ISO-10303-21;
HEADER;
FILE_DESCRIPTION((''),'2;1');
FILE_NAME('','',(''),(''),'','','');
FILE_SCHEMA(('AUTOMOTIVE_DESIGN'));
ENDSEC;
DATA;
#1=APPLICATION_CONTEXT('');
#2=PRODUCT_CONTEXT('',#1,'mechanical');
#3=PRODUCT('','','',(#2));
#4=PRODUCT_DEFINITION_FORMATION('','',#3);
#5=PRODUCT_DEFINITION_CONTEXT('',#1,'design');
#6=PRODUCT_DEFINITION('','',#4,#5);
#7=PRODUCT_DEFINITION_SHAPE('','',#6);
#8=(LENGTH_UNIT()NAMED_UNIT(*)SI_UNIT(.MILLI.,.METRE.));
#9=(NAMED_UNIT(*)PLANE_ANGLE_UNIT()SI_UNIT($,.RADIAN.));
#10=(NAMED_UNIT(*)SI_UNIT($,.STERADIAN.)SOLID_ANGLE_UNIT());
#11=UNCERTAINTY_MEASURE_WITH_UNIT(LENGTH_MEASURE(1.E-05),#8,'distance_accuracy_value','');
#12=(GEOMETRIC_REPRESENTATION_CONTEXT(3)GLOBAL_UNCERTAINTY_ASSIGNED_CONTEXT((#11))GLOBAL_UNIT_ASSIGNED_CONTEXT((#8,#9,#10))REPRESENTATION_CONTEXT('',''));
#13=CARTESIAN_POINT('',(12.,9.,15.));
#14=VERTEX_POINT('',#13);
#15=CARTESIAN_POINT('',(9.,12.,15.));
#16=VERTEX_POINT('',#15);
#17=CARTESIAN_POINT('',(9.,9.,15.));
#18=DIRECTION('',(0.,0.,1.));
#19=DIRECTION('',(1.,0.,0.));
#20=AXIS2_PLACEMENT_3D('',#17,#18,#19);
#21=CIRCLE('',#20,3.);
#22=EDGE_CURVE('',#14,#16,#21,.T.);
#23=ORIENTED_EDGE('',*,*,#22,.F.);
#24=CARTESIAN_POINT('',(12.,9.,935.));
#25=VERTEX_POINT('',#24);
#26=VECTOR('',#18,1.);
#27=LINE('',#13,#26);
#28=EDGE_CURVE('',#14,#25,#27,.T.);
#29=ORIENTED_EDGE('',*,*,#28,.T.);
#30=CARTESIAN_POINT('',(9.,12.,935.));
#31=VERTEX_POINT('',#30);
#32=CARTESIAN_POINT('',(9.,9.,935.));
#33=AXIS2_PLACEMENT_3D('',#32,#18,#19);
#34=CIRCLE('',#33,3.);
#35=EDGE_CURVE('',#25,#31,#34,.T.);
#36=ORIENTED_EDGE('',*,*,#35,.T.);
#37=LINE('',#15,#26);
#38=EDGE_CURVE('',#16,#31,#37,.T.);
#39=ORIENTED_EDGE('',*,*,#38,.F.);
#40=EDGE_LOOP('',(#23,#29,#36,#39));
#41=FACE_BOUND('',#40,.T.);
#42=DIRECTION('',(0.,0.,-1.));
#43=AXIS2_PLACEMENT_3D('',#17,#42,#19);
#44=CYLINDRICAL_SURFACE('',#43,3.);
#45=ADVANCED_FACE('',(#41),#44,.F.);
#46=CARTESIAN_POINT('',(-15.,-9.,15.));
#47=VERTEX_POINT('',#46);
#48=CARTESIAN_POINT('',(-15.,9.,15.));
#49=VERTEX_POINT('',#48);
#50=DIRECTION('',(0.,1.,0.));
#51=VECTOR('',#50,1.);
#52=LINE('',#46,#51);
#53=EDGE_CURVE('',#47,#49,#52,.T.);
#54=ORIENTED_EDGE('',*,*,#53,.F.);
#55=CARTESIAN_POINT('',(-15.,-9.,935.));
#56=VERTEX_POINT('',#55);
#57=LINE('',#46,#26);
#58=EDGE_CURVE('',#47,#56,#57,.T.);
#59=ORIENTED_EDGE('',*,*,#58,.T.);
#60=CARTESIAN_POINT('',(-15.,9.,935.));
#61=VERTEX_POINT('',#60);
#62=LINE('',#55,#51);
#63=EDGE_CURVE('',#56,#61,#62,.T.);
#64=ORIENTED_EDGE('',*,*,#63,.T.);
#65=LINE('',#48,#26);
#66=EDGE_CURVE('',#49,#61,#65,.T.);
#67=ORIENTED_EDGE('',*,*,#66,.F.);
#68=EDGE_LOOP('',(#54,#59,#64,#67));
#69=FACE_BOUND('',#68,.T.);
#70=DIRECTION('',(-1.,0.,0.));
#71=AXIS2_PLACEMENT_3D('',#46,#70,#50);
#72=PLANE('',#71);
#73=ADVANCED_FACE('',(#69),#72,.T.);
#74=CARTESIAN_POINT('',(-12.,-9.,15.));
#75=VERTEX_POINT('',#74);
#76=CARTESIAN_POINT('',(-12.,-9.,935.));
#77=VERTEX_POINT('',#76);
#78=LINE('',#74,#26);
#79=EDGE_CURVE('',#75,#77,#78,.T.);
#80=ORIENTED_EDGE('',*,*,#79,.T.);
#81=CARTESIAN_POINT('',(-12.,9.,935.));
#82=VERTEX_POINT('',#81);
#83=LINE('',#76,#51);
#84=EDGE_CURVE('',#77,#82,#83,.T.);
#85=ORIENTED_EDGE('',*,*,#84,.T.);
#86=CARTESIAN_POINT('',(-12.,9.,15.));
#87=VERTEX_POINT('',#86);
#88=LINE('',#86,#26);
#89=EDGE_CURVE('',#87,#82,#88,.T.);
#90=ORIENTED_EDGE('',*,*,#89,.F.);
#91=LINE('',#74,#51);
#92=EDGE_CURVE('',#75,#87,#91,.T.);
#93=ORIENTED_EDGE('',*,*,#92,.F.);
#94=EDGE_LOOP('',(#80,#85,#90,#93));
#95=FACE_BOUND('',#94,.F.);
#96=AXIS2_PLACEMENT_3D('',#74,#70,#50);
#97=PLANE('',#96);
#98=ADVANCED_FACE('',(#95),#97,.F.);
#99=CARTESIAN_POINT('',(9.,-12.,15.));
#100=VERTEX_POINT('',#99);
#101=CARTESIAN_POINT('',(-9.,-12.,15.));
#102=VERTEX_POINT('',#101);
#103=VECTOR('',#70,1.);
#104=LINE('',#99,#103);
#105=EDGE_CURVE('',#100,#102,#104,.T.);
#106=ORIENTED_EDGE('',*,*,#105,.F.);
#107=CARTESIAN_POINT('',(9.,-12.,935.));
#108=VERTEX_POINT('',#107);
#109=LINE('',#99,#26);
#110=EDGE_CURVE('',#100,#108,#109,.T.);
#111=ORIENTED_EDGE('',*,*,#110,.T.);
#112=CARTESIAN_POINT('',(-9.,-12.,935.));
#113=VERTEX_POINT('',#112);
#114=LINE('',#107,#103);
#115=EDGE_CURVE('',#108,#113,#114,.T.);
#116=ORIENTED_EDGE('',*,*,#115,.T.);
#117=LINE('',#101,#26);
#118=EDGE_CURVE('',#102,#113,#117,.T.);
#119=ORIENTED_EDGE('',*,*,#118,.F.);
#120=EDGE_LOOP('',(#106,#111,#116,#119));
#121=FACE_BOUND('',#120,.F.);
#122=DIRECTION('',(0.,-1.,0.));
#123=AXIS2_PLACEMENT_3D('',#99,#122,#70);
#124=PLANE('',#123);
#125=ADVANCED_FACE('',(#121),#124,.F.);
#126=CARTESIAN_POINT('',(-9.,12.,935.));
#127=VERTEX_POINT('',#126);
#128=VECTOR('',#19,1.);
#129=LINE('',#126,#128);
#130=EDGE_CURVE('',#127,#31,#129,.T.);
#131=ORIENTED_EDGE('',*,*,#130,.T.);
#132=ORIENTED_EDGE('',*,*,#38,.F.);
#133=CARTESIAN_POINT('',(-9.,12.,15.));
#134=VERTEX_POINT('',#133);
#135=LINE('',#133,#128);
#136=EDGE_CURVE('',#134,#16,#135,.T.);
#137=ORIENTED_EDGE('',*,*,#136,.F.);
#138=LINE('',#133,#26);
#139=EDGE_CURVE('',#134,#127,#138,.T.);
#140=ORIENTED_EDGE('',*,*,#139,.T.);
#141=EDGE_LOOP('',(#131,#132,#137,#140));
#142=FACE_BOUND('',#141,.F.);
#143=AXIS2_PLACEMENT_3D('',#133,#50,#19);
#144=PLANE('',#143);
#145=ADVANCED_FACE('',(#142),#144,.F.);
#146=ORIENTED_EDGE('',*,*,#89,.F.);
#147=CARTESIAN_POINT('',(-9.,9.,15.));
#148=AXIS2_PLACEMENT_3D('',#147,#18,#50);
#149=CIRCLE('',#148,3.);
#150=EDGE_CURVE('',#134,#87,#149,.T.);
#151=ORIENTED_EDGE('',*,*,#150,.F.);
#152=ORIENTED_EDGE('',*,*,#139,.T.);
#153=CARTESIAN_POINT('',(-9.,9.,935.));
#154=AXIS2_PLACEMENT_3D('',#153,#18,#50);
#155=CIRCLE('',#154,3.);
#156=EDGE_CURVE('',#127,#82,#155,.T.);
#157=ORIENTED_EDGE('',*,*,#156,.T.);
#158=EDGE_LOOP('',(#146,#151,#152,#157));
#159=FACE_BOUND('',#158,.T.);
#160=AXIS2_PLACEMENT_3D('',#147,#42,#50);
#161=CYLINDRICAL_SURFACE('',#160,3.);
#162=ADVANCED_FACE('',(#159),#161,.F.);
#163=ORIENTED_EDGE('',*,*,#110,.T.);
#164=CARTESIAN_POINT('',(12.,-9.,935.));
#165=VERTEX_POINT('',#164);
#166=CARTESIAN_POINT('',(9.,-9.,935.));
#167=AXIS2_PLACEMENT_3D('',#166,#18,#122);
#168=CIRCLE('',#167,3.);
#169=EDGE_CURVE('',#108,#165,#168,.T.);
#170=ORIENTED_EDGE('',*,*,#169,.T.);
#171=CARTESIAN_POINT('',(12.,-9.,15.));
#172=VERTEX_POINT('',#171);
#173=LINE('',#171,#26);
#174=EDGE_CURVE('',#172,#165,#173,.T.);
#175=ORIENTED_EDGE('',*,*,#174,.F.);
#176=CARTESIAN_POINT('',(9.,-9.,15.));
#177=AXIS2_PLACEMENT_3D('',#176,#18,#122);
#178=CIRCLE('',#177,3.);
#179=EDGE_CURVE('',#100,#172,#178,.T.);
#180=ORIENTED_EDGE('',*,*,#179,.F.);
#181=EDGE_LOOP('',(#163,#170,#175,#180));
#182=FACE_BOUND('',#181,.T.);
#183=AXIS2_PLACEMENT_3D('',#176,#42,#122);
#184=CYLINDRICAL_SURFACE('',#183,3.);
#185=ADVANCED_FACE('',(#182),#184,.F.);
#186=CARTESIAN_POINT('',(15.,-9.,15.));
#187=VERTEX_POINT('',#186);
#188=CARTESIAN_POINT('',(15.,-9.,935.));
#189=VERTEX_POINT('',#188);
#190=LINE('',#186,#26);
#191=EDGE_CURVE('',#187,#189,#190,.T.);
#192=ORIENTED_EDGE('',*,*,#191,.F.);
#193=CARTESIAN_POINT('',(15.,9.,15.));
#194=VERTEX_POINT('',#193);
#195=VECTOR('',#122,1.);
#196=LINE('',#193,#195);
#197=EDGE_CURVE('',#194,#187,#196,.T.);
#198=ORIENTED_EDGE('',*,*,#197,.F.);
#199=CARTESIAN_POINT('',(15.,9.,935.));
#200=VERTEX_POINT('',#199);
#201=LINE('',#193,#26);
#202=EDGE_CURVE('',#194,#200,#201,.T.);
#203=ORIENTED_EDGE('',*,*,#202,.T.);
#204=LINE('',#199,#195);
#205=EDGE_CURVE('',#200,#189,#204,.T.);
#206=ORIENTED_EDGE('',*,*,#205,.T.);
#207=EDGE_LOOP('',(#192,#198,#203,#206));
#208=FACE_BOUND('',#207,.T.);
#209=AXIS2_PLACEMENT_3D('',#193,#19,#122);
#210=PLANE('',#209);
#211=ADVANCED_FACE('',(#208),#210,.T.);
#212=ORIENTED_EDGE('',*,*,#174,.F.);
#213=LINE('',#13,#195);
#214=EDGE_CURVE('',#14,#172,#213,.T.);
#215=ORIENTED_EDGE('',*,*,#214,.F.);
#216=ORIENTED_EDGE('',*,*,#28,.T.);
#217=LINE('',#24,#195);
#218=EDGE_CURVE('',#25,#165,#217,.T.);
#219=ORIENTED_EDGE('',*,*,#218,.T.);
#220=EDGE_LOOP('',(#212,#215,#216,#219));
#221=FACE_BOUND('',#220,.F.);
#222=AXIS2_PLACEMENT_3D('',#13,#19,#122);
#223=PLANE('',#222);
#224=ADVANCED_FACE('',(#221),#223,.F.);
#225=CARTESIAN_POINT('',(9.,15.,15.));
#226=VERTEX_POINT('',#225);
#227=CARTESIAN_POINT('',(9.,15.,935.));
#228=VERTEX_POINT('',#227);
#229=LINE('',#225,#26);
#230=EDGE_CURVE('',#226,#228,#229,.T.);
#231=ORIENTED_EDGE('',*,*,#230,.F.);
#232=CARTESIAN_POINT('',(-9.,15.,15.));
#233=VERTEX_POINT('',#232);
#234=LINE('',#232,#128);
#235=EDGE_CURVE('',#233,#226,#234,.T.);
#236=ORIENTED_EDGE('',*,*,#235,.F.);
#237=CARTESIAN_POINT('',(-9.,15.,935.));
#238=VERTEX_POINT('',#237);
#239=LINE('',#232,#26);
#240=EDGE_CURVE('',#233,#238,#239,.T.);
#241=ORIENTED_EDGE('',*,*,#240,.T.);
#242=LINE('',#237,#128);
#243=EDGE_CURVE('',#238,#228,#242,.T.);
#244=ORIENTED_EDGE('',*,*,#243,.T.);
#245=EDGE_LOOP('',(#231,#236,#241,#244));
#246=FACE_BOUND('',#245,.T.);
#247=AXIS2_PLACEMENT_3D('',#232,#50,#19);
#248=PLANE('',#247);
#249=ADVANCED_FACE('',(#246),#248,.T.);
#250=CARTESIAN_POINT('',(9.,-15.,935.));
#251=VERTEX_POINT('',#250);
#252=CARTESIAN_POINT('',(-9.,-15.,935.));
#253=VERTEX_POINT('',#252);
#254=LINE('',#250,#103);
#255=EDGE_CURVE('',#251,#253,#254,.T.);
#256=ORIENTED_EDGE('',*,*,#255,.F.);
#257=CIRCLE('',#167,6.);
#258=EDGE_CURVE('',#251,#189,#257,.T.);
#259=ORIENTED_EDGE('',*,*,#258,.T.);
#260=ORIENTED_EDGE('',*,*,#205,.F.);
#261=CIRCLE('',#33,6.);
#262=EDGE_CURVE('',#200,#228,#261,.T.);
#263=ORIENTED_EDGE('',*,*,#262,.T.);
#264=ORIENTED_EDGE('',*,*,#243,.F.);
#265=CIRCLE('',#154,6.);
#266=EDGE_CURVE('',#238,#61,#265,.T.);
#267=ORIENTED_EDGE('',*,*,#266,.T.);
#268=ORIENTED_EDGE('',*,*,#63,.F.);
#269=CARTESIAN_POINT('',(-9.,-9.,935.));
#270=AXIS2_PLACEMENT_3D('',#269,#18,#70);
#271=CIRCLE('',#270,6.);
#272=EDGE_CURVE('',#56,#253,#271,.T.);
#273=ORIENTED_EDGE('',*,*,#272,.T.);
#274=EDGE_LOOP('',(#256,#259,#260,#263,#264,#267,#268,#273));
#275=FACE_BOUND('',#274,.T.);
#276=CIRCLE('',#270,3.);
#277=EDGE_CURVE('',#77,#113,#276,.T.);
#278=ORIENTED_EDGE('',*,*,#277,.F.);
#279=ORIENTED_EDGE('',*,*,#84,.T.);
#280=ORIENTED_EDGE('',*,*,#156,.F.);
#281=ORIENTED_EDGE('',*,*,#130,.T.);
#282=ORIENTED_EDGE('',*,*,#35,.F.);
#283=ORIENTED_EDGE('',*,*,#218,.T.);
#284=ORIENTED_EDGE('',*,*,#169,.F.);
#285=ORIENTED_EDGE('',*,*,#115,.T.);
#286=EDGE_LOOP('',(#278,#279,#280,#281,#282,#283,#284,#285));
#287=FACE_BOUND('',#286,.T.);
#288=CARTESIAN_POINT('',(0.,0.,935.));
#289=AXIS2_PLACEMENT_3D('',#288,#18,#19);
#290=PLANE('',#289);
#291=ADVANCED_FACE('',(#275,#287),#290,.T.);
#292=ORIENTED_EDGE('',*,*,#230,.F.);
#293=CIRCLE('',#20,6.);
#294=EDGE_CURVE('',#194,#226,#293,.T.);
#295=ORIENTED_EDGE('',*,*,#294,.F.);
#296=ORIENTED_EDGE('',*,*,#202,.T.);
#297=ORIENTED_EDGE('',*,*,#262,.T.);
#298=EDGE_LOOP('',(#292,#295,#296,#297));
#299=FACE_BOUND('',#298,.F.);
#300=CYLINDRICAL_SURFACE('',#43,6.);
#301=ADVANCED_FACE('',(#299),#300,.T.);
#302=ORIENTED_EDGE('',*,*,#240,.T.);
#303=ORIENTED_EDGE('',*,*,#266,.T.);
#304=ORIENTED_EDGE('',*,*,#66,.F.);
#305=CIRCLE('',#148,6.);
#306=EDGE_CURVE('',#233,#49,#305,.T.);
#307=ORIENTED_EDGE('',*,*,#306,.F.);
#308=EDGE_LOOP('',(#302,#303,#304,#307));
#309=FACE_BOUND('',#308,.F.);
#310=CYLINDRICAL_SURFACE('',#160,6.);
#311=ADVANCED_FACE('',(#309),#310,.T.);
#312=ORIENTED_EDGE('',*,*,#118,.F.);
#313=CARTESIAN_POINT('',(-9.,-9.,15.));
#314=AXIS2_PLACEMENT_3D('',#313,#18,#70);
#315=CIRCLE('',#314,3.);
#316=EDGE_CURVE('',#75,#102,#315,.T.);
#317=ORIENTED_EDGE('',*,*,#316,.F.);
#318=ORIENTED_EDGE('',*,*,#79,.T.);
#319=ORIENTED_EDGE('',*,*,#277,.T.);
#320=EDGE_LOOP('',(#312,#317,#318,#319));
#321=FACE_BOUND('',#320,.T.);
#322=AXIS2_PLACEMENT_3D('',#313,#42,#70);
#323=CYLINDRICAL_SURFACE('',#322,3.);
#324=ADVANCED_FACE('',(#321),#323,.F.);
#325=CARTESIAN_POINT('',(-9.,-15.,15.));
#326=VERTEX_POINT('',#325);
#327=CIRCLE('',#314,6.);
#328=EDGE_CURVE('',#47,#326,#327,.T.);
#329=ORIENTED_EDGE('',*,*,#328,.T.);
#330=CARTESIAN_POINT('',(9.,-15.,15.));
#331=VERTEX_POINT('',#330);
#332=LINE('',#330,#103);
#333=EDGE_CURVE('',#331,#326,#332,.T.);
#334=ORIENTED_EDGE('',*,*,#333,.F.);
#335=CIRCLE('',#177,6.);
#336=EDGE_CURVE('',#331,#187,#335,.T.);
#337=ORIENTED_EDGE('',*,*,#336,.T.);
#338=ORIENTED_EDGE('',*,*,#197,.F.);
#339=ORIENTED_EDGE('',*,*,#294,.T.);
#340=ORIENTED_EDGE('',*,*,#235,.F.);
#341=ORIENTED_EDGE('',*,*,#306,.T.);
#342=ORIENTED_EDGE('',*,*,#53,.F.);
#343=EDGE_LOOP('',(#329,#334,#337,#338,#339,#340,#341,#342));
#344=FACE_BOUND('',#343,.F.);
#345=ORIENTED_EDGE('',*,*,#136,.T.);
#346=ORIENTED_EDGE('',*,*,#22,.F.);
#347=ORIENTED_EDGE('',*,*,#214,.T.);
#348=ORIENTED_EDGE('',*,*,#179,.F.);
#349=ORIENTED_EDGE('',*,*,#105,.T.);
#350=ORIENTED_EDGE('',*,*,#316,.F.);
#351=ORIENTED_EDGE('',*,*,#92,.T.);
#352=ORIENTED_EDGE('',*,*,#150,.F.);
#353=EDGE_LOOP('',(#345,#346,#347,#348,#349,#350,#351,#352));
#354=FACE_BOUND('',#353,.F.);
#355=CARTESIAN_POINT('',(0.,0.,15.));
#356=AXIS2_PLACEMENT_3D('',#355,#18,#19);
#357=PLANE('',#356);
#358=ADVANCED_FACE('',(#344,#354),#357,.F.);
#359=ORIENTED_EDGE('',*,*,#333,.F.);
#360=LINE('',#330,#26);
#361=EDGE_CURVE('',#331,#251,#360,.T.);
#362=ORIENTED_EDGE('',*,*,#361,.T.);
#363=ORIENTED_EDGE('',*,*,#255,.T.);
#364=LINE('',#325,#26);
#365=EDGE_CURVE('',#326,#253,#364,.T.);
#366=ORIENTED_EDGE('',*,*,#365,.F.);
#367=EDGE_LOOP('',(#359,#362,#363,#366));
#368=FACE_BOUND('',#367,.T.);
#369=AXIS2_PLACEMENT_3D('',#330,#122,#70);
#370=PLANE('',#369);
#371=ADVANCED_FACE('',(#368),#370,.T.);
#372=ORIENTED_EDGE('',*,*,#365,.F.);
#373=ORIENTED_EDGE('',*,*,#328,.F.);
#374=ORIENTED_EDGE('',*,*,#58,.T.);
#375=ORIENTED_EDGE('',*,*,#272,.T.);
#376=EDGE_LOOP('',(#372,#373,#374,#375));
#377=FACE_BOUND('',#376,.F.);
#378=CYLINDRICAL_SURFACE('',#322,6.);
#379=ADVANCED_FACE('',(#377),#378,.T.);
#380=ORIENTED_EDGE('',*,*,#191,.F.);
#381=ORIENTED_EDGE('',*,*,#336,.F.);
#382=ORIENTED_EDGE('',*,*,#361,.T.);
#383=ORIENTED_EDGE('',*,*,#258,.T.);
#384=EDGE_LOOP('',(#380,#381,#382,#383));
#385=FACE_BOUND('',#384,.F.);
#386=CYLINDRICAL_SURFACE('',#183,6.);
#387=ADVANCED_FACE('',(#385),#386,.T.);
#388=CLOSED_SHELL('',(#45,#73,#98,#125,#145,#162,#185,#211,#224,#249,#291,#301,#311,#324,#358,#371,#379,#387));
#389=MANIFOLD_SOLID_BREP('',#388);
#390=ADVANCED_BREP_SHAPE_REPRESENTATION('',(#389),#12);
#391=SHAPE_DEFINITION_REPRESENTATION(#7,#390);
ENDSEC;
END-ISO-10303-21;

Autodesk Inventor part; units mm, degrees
ref_plane "Start Plane" through (0, 0, 15) normal (0, 0, 1) x (1, 0, 0)
ref_plane "End Plane" through (0, 0, 935) normal (0, 0, 1) x (1, 0, 0)
sketch "Sketch" plane through (0, 0, 0) normal (0, 0, 1) x (1, 0, 0)
  line L0 (-15, -9) -> (-15, 9)
  line L1 (-9, 15) -> (9, 15)
  line L2 (15, 9) -> (15, -9)
  line L3 (9, -15) -> (-9, -15)
  arc A0 (-15, -9) -> (-9, -15) centre (-9, -9) ccw
  arc A1 (-9, 15) -> (-15, 9) centre (-9, 9) ccw
  arc A2 (15, 9) -> (9, 15) centre (9, 9) ccw
  arc A3 (9, -15) -> (15, -9) centre (9, -9) ccw
  arc A4 (-9, 12) -> (-12, 9) centre (-9, 9) ccw
  line L4 (-9, 12) -> (9, 12)
  arc A5 (12, 9) -> (9, 12) centre (9, 9) ccw
  line L5 (12, 9) -> (12, -9)
  arc A6 (9, -12) -> (12, -9) centre (9, -9) ccw
  line L6 (9, -12) -> (-9, -12)
  arc A7 (-12, -9) -> (-9, -12) centre (-9, -9) ccw
  line L7 (-12, -9) -> (-12, 9)
  line L8 (0, 22.7397) -> (0, -22.7397) construction
  line L9 (-22.7397, 0) -> (22.7397, 0) construction
  dimension "d7" = 6
  dimension "d10" = 30
  dimension "d11" = 30
  dimension "d12" = 3
  dimension "d15" = 15
  dimension "d16" = 15
extrude "Body" add sketch "Sketch" along normal up to surface (920 mm away) from surface at 15
sketch "Sketch3" plane through (0, 0, 0) normal (0, 0, 1) x (1, 0, 0)
  line L0 (0, 0) -> (10, 0)
ref_plane "Work Plane3" through (0, 0, 0) normal (0, -1, 0) x (1, 0, 0)
ref_plane "Work Plane4" through (2112, -141, 935) normal (0, 0, 1) x (1, 0, 0)
split "Split1" plane through (2112, -141, 935) removes the side toward (0, 0, 1)
ref_plane "Work Plane6" through (0, -9, 15) normal (0, 0, -1) x (-1, 0, 0)
split "Split3" plane through (0, -9, 15) removes the side toward (0, 0, -1)
sketch "Sketch4" plane through (0, 0, 0) normal (0, -1, 0) x (1, 0, 0)
  line L0 (-2, 15) -> (12, 15) projected
  line L1 (-2, 935) -> (12, 935) projected
  dimension "d18" = 920
equation "\"d7\" = G_IR"
equation "\"d10\" = G_H"
equation "\"d11\" = G_W"
equation "\"d12\" = G_T"
equation "\"d15\" = 0.5 * d10"
equation "\"d16\" = 0.5 * d11"
equation "\"d3\" = G_L"
equation "\"G_W\" = 30"
equation "\"G_H\" = 30"
equation "\"G_T\" = 3"
equation "\"G_IR\" = 6"
equation "\"G_L\" = d18"
equation "\"G_OFFSET_START\" = -15"
equation "\"G_OFFSET_END\" = -15"
equation "\"d13\" = -G_OFFSET_START"
equation "\"d14\" = G_OFFSET_END + B_L"
equation "\"B_L\" = 950"
properties part number "DIN EN 10219-2 - 30 x 30 x 3  - 920" material "Steel, Mild"
